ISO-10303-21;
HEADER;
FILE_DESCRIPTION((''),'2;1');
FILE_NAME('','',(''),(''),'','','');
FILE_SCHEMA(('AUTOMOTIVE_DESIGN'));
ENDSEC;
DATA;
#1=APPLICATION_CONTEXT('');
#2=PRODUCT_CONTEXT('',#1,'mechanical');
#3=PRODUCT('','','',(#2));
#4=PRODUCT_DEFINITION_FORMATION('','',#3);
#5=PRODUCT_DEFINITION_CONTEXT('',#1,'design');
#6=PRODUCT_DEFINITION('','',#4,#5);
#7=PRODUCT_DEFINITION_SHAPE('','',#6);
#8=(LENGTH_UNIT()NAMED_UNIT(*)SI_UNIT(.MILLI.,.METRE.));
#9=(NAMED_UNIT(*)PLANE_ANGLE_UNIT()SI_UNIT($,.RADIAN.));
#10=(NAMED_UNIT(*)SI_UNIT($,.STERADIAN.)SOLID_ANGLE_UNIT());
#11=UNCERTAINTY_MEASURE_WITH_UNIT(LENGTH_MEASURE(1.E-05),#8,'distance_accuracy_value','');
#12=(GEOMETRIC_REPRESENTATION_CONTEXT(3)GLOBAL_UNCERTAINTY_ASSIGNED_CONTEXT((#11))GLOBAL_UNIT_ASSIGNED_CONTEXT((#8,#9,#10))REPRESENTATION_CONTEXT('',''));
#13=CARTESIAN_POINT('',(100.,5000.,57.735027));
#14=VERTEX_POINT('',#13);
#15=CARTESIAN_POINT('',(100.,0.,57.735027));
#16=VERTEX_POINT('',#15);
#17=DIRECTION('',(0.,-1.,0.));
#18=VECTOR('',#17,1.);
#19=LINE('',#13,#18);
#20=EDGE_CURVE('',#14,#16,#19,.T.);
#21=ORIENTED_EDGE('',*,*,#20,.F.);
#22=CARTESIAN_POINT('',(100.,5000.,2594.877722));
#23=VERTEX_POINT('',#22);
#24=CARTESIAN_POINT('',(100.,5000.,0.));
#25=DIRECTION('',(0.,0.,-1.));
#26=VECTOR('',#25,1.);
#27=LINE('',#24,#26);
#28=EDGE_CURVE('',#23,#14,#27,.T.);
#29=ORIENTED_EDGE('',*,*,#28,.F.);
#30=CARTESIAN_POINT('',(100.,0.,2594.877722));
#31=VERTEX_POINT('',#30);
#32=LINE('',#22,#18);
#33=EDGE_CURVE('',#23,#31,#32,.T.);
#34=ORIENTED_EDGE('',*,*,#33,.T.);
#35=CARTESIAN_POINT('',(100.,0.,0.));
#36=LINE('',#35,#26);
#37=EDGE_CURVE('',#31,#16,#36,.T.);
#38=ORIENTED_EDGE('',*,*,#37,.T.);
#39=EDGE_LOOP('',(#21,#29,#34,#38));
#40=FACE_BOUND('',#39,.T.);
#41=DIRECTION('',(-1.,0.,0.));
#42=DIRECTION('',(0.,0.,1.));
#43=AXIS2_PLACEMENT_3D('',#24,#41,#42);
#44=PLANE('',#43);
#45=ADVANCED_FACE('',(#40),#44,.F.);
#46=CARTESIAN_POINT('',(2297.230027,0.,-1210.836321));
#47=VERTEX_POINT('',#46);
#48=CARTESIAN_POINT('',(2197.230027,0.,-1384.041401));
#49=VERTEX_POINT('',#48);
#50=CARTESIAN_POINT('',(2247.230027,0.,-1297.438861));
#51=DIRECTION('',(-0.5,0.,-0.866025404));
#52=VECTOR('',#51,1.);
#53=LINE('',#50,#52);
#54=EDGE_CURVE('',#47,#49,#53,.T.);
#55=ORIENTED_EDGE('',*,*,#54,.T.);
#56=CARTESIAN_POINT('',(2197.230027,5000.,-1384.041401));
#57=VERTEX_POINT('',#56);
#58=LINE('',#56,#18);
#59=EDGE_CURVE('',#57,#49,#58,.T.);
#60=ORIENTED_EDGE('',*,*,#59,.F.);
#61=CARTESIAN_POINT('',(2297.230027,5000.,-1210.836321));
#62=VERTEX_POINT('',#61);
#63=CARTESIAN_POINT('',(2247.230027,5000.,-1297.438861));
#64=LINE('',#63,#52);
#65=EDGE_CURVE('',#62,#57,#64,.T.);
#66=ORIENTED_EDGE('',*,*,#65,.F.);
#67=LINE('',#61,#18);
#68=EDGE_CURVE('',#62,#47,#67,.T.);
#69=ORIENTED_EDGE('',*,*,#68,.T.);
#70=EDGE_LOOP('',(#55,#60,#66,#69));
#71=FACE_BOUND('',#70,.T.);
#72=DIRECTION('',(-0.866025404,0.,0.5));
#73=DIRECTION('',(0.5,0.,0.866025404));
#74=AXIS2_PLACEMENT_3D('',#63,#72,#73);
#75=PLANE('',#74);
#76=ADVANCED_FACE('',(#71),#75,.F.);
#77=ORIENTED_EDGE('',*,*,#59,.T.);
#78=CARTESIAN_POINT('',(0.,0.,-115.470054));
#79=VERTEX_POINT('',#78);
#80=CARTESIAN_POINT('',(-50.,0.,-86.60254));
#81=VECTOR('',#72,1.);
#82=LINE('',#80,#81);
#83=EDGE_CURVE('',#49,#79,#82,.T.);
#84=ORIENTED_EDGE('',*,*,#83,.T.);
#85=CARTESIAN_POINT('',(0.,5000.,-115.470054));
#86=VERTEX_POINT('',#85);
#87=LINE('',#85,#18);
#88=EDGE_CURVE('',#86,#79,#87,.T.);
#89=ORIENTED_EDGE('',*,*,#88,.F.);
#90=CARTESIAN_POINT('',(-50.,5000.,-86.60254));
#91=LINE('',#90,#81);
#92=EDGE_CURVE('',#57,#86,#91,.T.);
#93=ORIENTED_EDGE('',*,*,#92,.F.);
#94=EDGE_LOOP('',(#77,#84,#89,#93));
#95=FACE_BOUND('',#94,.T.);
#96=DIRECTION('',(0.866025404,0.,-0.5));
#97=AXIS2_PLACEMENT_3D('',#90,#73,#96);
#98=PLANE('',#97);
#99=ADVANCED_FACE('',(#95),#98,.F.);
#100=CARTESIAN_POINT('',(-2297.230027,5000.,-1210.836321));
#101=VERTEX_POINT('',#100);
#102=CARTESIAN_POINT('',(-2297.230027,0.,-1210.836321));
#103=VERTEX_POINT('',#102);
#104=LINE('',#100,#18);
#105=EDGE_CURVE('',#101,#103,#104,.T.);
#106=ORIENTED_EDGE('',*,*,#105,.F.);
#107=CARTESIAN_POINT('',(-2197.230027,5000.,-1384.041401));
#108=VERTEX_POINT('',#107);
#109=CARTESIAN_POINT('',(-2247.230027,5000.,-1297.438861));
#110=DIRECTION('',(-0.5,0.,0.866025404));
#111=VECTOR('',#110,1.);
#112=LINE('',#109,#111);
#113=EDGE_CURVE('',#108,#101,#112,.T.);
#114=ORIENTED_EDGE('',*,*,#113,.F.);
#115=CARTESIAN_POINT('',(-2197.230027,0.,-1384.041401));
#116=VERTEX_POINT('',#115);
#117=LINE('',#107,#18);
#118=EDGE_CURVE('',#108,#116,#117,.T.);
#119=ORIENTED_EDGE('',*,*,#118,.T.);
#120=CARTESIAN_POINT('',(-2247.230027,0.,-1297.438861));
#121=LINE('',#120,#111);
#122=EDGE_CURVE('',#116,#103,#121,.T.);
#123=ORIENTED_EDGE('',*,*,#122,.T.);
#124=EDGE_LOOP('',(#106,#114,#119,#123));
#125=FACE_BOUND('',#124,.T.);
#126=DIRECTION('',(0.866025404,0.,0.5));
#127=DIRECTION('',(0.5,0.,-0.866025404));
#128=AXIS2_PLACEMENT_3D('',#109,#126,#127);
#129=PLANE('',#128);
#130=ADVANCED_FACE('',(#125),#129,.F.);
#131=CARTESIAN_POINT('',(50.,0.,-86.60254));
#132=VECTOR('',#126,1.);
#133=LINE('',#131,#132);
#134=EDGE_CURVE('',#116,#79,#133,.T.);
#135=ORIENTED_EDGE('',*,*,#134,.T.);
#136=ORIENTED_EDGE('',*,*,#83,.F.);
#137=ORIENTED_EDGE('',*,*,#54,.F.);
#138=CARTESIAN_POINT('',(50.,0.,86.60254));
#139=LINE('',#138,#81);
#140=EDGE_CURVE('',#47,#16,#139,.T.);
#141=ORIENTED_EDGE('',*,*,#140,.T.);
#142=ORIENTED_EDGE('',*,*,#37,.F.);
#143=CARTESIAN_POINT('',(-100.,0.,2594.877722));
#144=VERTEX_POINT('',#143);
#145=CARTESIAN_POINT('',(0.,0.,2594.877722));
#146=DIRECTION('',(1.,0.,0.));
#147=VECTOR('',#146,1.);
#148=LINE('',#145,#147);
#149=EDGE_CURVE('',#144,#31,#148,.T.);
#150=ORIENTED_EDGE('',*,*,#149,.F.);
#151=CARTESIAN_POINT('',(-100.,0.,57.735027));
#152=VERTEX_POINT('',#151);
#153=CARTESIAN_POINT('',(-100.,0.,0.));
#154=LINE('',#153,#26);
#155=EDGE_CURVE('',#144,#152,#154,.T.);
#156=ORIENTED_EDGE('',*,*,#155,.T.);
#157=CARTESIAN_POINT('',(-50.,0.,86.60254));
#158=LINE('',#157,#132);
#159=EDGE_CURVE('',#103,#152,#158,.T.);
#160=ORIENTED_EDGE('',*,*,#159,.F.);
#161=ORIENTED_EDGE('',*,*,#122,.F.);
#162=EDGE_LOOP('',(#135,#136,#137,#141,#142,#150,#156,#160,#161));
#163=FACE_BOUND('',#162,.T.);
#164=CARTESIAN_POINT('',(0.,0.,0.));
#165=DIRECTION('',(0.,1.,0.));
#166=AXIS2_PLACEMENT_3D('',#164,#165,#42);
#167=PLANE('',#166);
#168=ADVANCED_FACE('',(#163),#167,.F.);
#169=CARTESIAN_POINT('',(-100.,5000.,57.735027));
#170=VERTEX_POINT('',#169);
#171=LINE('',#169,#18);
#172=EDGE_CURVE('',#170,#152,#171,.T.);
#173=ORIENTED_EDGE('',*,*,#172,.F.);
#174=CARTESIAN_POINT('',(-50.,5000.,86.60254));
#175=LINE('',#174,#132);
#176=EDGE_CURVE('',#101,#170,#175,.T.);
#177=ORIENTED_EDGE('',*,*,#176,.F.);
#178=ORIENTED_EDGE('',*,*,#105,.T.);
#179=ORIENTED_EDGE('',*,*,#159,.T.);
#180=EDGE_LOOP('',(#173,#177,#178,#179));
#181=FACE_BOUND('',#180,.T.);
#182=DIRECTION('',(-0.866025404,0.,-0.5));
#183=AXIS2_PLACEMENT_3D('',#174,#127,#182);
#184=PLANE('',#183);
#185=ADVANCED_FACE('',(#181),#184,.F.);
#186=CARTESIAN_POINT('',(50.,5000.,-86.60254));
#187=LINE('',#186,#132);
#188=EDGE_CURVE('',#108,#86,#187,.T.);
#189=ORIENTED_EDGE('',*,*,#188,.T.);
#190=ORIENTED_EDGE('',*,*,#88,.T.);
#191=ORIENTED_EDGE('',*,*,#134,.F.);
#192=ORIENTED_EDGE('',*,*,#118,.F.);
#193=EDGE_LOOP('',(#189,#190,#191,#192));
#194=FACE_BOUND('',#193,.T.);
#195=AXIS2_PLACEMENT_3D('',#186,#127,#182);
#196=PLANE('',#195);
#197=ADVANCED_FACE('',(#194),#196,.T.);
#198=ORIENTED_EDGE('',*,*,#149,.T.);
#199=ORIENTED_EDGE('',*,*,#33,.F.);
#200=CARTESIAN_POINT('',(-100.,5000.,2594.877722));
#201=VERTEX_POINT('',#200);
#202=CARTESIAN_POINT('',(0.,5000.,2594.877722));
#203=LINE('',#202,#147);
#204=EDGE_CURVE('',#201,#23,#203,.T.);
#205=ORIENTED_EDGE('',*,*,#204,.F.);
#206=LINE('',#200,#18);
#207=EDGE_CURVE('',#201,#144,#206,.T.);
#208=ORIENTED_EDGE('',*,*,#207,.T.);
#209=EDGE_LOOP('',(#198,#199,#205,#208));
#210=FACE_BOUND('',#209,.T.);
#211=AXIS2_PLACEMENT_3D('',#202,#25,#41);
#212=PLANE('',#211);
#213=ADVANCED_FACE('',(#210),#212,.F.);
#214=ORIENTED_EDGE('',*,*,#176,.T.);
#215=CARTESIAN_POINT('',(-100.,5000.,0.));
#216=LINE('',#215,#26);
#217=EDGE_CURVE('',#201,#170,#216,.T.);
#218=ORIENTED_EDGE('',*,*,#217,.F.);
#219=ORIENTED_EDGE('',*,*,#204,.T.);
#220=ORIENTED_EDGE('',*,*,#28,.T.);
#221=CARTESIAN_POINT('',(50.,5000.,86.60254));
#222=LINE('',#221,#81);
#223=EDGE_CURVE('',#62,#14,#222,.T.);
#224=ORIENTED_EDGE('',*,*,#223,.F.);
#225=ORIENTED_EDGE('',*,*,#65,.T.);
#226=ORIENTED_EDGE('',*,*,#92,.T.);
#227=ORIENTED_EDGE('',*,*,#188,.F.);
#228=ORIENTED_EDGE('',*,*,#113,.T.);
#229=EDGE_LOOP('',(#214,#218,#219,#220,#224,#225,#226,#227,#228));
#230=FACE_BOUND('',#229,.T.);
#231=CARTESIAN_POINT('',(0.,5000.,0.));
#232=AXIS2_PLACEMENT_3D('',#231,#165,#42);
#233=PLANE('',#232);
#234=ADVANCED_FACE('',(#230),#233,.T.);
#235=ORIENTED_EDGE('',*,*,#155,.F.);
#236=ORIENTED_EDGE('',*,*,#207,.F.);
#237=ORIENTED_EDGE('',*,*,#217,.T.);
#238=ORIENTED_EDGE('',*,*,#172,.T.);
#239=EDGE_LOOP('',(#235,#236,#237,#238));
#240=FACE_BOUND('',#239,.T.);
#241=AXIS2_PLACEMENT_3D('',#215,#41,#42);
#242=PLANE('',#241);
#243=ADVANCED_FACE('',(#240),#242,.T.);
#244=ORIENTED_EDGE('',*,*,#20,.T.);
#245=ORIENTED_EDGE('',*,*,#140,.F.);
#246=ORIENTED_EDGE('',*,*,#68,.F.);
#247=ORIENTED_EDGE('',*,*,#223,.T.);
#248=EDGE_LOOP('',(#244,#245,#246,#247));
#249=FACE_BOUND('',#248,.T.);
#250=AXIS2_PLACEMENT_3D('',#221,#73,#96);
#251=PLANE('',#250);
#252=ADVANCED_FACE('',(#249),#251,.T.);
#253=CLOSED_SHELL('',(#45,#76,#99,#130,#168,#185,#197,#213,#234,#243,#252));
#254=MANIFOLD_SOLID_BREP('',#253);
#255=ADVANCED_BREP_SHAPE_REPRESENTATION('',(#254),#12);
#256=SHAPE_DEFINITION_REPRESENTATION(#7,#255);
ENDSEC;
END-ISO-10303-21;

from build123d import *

# Parameters (mm, degrees)
BOSS_EXTRUDE1_DEPTH = 5000


with BuildPart() as part:
    # Sketch1 → Boss-Extrude1 (new body)
    with BuildSketch(Plane(origin=(0, 0, 0), x_dir=(1, 0, 0), z_dir=(0, 1, 0))):
        Polygon((-100, -2594.877721879), (100, -2594.877721879), (100, -57.735026919), (2297.230026861, 1210.836320561), (2197.230026861, 1384.041401318), (0, 115.470053838), (-2197.230026861, 1384.041401318), (-2297.230026861, 1210.836320561), (-100, -57.735026919), align=None)
    extrude(amount=BOSS_EXTRUDE1_DEPTH)


solid = part.part
